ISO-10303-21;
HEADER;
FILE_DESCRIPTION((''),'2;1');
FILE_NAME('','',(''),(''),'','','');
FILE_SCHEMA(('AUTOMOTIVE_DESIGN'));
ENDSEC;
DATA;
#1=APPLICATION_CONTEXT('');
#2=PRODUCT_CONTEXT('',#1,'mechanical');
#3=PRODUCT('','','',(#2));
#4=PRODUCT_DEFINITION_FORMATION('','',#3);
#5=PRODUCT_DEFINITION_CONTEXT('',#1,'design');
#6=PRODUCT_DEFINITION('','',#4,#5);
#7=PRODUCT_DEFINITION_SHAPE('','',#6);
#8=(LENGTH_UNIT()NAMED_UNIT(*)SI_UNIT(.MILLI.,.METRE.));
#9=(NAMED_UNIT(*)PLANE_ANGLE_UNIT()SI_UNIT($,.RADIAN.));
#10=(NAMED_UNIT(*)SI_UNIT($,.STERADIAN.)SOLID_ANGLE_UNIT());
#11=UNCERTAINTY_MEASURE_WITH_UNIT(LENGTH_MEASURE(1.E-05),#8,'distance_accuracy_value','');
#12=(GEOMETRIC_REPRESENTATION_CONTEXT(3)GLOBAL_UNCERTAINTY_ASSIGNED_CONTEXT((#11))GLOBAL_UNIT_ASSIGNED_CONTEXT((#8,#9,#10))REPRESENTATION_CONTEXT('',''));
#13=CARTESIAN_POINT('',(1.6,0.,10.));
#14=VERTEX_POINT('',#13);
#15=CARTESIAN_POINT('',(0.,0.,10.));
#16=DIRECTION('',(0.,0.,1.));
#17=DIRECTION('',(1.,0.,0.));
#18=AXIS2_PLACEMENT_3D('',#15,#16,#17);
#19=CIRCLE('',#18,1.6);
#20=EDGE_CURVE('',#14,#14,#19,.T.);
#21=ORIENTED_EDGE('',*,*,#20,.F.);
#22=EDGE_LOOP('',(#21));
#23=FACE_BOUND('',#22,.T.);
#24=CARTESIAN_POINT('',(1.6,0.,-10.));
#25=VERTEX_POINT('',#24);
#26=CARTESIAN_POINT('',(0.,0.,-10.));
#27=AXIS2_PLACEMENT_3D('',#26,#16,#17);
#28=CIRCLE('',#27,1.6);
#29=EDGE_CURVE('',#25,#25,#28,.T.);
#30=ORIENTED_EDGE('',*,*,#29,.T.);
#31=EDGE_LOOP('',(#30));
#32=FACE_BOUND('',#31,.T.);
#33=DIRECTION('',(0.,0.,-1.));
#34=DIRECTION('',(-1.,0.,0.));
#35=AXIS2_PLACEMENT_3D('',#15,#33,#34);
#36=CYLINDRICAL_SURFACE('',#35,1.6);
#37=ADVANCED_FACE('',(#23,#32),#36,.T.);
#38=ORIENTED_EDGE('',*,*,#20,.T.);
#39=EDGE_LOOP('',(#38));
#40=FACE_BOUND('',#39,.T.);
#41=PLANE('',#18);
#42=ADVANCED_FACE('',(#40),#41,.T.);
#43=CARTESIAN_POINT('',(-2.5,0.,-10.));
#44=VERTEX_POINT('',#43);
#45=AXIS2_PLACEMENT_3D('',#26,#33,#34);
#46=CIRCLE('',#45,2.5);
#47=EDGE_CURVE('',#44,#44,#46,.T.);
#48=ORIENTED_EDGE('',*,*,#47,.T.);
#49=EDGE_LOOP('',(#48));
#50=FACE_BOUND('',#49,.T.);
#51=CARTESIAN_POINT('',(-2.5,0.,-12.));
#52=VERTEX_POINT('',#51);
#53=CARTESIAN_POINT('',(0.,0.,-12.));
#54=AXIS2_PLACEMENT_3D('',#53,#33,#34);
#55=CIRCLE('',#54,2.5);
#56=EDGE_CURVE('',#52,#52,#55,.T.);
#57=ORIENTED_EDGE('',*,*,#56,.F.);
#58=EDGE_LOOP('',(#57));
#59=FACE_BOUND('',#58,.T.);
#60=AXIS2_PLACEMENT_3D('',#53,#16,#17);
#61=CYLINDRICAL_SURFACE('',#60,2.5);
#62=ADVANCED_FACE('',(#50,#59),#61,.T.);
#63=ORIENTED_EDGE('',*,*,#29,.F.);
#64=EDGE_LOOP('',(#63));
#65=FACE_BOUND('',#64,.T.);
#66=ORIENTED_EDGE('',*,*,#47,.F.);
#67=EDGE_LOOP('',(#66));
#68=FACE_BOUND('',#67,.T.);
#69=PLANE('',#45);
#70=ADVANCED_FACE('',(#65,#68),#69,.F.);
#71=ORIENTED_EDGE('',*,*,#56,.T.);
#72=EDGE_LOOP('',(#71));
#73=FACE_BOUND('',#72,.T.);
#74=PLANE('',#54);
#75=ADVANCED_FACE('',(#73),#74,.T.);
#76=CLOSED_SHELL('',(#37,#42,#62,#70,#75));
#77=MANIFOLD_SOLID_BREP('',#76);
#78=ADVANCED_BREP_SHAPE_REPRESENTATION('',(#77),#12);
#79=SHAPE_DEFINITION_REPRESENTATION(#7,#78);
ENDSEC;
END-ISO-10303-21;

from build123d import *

# Parameters (mm, degrees)
SKETCH1_R           = 1.6
BOSS_EXTRUDE1_DEPTH = 10
SKETCH2_R           = 2.5
BOSS_EXTRUDE2_DEPTH = 2


with BuildPart() as part:
    # Sketch1 → Boss-Extrude1 (new, symmetric)
    with BuildSketch(Plane.XY):
        Circle(SKETCH1_R)
    extrude(amount=BOSS_EXTRUDE1_DEPTH, both=True)

    # Sketch2 → Boss-Extrude2 (add)
    with BuildSketch(Plane(origin=(0, 0, -10), x_dir=(-1, 0, 0), z_dir=(0, 0, -1))):
        Circle(SKETCH2_R)
    extrude(amount=BOSS_EXTRUDE2_DEPTH)


solid = part.part
